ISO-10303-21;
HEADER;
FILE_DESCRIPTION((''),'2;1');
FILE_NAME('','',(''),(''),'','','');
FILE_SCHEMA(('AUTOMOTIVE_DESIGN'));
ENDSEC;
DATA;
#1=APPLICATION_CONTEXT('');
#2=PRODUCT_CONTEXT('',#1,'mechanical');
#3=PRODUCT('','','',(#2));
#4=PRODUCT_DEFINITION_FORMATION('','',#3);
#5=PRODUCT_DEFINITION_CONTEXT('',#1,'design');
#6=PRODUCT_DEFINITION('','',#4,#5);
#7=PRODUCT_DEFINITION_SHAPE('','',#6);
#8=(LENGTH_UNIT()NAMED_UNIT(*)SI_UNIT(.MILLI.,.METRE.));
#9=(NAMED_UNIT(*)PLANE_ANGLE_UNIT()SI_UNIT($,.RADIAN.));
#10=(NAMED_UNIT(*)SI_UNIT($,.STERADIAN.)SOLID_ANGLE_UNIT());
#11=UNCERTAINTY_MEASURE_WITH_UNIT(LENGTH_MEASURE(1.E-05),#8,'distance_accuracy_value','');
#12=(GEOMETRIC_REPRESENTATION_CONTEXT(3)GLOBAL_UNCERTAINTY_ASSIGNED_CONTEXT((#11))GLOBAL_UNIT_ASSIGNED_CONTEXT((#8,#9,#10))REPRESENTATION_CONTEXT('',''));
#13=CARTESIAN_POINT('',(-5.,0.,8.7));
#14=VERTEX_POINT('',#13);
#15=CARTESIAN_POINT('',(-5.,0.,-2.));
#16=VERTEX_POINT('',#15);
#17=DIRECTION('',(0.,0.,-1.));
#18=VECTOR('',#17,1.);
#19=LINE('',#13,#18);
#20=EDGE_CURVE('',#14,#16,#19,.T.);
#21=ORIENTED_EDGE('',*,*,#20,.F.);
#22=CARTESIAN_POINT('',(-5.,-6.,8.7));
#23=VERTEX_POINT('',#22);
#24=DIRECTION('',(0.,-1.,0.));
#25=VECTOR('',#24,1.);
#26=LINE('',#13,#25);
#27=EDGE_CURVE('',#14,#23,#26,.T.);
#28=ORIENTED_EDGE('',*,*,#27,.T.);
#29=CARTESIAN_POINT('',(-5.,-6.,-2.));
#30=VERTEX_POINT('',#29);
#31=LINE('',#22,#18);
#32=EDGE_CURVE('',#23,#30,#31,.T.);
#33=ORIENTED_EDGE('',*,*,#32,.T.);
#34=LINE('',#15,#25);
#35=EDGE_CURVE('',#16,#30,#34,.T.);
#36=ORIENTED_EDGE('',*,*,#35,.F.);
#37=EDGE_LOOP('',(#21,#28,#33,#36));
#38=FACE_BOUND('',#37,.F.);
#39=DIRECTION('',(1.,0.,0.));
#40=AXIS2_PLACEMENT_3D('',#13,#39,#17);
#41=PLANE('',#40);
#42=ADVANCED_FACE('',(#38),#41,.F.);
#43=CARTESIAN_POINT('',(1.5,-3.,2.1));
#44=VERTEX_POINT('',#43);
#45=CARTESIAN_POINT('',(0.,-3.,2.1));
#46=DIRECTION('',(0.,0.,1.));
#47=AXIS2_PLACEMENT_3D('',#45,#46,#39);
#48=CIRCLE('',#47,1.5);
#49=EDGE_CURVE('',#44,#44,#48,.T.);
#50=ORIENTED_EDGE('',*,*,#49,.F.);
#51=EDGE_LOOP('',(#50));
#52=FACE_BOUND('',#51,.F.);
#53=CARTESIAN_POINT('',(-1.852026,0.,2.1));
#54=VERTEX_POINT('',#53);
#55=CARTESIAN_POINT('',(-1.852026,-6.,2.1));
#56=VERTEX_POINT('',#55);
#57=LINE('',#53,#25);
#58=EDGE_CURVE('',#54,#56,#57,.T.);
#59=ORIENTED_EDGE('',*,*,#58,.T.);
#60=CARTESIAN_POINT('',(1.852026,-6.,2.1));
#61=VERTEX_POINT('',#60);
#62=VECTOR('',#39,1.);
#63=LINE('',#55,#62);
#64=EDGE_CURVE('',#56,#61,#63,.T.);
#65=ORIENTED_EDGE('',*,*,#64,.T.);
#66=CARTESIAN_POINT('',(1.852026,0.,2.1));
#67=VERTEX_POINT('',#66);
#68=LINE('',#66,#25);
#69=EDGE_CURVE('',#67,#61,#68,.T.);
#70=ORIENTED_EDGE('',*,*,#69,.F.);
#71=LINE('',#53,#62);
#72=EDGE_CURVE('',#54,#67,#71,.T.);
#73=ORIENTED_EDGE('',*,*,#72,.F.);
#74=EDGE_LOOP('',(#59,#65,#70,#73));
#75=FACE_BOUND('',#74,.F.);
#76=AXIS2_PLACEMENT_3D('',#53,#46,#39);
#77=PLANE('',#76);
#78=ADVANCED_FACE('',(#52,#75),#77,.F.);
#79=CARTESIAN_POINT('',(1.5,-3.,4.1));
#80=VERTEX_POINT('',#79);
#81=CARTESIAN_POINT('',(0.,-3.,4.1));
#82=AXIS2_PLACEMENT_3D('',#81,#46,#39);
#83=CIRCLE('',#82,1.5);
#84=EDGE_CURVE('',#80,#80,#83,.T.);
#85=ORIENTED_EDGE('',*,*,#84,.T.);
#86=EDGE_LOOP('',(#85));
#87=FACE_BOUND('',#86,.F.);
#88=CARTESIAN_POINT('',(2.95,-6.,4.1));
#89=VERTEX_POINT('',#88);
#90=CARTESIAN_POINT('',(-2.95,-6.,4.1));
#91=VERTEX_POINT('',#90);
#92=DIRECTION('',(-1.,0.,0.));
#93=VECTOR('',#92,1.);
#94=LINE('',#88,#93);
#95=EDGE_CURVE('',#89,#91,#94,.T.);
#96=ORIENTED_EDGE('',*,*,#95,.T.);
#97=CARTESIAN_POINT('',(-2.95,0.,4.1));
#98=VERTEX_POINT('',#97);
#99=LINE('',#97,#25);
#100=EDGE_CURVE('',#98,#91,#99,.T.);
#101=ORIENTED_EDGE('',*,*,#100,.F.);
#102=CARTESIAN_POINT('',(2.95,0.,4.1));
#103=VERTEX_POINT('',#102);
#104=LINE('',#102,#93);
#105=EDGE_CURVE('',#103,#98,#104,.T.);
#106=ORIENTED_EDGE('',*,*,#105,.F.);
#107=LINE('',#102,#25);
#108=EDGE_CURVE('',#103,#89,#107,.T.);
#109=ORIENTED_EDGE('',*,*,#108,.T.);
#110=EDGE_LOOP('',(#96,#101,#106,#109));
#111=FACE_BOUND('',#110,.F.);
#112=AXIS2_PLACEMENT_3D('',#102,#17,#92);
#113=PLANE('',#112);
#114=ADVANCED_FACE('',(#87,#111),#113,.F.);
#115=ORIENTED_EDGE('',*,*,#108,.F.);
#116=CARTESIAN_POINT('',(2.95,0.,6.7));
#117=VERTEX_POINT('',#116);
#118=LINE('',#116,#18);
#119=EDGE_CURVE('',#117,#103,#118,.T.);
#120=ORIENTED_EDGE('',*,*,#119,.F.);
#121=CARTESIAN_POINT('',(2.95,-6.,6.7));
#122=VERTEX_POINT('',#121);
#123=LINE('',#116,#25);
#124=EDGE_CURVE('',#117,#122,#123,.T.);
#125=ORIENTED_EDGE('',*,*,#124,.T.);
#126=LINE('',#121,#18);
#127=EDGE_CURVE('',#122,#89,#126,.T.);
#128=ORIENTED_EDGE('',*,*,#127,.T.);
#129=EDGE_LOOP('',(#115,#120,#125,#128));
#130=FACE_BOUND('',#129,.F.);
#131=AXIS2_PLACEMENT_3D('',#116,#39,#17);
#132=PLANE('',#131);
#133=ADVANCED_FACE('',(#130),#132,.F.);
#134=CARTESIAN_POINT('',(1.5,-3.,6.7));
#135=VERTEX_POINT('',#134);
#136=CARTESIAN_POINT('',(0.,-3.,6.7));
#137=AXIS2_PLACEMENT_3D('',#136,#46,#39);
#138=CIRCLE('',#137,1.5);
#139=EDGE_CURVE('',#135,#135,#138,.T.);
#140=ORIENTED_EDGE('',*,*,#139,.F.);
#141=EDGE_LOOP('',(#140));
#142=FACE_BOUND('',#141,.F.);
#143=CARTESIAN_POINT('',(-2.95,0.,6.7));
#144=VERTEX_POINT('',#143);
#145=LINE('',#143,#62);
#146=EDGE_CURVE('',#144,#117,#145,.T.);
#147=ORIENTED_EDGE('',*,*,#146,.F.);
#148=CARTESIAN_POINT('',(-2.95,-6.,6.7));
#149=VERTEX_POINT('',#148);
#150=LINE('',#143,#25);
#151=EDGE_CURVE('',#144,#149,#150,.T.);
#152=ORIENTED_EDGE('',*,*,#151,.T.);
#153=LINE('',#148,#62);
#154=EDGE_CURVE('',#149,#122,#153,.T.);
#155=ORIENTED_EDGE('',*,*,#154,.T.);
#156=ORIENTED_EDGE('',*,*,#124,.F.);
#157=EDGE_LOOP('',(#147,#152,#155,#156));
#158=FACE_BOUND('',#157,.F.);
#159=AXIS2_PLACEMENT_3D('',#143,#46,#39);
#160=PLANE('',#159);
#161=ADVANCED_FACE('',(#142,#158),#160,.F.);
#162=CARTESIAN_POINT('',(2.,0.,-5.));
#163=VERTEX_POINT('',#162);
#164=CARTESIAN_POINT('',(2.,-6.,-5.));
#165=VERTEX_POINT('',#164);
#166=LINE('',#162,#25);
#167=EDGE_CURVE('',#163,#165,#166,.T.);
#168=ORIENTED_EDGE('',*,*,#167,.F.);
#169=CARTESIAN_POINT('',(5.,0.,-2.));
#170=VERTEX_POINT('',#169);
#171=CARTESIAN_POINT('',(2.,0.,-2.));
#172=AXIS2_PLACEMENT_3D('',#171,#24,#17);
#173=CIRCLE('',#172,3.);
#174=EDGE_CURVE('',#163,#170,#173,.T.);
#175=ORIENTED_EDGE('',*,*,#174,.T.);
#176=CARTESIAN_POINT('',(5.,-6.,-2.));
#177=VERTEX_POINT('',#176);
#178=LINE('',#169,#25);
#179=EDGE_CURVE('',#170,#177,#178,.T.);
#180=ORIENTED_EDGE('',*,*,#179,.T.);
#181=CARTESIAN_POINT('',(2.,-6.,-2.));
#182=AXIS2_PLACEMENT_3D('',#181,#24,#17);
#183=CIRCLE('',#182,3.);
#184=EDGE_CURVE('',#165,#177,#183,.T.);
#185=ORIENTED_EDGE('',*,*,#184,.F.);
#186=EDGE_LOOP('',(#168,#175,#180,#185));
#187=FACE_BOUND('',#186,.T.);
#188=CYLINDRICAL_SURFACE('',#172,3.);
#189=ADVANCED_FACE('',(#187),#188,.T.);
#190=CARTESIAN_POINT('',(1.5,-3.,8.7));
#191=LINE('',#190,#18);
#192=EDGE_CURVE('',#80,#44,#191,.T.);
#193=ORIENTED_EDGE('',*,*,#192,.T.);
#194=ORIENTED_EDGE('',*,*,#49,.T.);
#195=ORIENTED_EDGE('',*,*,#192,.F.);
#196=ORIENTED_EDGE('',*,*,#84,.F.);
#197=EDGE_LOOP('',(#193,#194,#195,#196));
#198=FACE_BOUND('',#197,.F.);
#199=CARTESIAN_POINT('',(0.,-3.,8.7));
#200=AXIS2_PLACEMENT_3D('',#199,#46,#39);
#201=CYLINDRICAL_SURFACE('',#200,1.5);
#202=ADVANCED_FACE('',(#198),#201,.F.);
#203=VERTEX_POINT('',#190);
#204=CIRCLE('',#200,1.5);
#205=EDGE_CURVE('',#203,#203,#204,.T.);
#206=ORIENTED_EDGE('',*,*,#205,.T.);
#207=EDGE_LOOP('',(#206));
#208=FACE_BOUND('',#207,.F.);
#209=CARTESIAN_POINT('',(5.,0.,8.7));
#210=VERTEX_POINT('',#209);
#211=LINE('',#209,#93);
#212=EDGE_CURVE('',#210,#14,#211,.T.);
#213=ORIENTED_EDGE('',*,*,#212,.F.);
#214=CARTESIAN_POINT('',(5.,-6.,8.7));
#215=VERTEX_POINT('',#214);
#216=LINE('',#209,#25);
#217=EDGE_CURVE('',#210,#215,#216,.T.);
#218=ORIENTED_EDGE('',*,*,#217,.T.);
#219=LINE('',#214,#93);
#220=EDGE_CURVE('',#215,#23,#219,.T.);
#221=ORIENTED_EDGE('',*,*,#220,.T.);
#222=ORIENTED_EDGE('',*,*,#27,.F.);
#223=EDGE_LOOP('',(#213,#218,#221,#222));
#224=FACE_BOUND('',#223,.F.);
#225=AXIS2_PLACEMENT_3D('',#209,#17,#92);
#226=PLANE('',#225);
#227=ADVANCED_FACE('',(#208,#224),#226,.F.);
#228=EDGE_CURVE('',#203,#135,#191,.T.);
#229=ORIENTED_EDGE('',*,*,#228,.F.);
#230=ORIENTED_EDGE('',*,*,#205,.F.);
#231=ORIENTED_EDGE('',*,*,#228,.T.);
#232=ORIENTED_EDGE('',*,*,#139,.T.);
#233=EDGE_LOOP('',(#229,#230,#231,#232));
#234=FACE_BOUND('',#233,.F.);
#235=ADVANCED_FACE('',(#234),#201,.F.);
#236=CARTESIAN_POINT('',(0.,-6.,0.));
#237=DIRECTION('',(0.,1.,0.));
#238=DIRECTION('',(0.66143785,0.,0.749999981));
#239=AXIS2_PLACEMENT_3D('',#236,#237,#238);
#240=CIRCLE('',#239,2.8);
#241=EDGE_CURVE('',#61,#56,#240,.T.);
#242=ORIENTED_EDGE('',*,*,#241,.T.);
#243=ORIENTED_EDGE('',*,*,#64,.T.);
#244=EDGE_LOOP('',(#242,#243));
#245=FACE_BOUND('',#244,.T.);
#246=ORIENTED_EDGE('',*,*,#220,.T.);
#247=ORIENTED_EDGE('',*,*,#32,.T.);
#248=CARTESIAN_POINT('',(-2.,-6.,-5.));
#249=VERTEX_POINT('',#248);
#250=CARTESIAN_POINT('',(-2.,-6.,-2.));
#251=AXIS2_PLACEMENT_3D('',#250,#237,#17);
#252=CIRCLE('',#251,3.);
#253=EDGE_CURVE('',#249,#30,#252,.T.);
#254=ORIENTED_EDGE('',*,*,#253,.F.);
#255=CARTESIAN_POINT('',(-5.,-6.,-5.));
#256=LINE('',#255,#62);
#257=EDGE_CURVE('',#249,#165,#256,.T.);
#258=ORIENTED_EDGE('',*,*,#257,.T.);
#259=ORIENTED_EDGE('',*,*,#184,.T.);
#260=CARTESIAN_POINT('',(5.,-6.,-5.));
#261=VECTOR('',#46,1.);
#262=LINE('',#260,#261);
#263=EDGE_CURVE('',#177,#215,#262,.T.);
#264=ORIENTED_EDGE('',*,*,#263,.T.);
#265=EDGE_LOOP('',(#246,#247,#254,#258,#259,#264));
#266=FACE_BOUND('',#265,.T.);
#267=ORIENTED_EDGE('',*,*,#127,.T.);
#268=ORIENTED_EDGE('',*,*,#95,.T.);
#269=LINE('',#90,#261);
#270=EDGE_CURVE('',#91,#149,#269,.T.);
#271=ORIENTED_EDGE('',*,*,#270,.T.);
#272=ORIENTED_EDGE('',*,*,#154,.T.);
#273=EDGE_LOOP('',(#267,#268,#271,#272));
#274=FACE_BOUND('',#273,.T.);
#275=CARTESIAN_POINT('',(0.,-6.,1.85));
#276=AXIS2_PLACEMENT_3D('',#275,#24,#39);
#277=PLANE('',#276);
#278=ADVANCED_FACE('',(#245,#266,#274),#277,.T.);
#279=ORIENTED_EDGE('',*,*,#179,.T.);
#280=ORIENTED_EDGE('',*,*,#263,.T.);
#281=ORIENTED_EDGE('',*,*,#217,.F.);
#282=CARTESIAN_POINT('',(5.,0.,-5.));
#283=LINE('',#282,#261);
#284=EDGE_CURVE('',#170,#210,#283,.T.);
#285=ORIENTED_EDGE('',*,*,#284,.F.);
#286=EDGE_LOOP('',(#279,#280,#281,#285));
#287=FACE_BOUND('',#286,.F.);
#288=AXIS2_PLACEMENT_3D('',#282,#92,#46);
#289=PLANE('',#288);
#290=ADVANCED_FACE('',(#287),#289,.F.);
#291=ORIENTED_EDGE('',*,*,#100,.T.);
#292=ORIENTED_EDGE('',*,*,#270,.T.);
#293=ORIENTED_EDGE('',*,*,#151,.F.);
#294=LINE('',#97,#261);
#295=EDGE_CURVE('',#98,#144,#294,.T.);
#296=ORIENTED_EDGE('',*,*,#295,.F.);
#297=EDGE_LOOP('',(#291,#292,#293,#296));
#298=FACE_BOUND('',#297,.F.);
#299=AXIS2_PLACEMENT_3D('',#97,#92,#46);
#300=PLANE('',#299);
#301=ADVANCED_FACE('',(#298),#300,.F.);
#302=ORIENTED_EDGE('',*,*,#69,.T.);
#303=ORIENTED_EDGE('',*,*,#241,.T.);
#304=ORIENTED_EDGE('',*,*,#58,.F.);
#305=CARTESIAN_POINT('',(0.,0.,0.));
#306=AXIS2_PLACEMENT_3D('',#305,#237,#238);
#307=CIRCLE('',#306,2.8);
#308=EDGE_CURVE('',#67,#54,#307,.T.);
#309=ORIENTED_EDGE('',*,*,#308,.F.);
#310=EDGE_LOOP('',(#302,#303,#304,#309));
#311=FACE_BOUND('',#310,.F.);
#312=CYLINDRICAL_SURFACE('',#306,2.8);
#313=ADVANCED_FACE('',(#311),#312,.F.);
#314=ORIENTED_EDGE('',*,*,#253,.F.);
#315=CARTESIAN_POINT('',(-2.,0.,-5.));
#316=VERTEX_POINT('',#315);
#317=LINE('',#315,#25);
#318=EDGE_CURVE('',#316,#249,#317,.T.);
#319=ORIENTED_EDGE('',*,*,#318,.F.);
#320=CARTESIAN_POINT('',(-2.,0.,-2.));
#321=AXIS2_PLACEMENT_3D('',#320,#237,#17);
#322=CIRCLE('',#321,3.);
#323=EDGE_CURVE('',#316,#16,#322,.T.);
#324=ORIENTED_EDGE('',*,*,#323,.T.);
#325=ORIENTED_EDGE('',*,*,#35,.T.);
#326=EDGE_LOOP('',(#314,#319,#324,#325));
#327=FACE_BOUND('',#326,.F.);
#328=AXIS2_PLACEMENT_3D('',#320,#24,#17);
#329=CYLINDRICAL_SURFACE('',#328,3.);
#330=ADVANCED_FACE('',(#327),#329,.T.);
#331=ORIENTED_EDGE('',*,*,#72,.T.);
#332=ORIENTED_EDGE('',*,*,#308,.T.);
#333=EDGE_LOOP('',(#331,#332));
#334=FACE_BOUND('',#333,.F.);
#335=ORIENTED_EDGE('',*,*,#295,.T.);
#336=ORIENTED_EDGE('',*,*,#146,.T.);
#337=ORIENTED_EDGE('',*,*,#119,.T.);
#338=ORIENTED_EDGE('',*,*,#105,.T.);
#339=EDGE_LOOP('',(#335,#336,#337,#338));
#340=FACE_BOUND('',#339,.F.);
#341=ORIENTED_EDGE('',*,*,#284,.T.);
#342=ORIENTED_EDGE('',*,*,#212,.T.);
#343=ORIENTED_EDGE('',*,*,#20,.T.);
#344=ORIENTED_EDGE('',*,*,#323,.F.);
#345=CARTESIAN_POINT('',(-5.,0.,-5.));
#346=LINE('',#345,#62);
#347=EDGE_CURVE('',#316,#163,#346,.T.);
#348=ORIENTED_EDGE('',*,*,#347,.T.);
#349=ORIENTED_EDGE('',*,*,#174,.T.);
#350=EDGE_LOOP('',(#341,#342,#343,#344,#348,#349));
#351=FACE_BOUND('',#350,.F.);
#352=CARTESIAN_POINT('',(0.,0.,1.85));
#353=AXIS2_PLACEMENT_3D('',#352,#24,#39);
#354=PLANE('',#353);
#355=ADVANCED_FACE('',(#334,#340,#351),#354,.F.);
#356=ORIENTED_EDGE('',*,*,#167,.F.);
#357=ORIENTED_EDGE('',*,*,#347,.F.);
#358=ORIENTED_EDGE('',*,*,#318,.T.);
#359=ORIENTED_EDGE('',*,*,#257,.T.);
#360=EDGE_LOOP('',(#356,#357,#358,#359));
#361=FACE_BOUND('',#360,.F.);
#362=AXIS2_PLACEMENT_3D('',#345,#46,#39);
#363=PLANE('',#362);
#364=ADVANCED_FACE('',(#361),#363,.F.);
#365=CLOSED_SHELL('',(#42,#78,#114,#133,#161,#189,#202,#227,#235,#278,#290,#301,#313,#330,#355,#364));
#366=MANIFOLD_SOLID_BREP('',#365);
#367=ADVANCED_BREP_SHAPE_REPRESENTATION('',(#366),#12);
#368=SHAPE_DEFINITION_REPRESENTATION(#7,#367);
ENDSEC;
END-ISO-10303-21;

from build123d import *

# Parameters (mm, degrees)
F1_DEPTH = 6
F2_R     = 1.5
F3_DEPTH = 6.6
F4_R     = 3


with BuildPart() as f1:
    # F0 (on Front) → F1 (new body)
    with BuildSketch(Plane.XZ):
        Polygon((-5, -5), (5, -5), (5, 5), (5, 8.7), (-5, 8.7), (-5, 5), align=None)
        with BuildLine():
            ThreePointArc((1.852026, 2.1), (0, -2.8), (-1.852026, 2.1))
            Line((-1.852026, 2.1), (0, 2.1))
            Line((0, 2.1), (1.852026, 2.1))
        make_face(mode=Mode.SUBTRACT)
        Polygon((2.95, 4.1), (0, 4.1), (-2.95, 4.1), (-2.95, 6.7), (2.95, 6.7), align=None, mode=Mode.SUBTRACT)
    extrude(amount=F1_DEPTH)

    # F2 (on face) → F3 (cut, through all)
    with BuildSketch(Plane.XY.offset(8.7)):
        with Locations((0, -3)):
            Circle(F2_R)
    extrude(amount=-F3_DEPTH, mode=Mode.SUBTRACT)

    # F4
    f4_edges = [f1.edges().sort_by_distance(p)[0] for p in [
        (5, -3, -5),
        (-5, -3, -5),
    ]]
    fillet(f4_edges, radius=F4_R)


solid = f1.part
